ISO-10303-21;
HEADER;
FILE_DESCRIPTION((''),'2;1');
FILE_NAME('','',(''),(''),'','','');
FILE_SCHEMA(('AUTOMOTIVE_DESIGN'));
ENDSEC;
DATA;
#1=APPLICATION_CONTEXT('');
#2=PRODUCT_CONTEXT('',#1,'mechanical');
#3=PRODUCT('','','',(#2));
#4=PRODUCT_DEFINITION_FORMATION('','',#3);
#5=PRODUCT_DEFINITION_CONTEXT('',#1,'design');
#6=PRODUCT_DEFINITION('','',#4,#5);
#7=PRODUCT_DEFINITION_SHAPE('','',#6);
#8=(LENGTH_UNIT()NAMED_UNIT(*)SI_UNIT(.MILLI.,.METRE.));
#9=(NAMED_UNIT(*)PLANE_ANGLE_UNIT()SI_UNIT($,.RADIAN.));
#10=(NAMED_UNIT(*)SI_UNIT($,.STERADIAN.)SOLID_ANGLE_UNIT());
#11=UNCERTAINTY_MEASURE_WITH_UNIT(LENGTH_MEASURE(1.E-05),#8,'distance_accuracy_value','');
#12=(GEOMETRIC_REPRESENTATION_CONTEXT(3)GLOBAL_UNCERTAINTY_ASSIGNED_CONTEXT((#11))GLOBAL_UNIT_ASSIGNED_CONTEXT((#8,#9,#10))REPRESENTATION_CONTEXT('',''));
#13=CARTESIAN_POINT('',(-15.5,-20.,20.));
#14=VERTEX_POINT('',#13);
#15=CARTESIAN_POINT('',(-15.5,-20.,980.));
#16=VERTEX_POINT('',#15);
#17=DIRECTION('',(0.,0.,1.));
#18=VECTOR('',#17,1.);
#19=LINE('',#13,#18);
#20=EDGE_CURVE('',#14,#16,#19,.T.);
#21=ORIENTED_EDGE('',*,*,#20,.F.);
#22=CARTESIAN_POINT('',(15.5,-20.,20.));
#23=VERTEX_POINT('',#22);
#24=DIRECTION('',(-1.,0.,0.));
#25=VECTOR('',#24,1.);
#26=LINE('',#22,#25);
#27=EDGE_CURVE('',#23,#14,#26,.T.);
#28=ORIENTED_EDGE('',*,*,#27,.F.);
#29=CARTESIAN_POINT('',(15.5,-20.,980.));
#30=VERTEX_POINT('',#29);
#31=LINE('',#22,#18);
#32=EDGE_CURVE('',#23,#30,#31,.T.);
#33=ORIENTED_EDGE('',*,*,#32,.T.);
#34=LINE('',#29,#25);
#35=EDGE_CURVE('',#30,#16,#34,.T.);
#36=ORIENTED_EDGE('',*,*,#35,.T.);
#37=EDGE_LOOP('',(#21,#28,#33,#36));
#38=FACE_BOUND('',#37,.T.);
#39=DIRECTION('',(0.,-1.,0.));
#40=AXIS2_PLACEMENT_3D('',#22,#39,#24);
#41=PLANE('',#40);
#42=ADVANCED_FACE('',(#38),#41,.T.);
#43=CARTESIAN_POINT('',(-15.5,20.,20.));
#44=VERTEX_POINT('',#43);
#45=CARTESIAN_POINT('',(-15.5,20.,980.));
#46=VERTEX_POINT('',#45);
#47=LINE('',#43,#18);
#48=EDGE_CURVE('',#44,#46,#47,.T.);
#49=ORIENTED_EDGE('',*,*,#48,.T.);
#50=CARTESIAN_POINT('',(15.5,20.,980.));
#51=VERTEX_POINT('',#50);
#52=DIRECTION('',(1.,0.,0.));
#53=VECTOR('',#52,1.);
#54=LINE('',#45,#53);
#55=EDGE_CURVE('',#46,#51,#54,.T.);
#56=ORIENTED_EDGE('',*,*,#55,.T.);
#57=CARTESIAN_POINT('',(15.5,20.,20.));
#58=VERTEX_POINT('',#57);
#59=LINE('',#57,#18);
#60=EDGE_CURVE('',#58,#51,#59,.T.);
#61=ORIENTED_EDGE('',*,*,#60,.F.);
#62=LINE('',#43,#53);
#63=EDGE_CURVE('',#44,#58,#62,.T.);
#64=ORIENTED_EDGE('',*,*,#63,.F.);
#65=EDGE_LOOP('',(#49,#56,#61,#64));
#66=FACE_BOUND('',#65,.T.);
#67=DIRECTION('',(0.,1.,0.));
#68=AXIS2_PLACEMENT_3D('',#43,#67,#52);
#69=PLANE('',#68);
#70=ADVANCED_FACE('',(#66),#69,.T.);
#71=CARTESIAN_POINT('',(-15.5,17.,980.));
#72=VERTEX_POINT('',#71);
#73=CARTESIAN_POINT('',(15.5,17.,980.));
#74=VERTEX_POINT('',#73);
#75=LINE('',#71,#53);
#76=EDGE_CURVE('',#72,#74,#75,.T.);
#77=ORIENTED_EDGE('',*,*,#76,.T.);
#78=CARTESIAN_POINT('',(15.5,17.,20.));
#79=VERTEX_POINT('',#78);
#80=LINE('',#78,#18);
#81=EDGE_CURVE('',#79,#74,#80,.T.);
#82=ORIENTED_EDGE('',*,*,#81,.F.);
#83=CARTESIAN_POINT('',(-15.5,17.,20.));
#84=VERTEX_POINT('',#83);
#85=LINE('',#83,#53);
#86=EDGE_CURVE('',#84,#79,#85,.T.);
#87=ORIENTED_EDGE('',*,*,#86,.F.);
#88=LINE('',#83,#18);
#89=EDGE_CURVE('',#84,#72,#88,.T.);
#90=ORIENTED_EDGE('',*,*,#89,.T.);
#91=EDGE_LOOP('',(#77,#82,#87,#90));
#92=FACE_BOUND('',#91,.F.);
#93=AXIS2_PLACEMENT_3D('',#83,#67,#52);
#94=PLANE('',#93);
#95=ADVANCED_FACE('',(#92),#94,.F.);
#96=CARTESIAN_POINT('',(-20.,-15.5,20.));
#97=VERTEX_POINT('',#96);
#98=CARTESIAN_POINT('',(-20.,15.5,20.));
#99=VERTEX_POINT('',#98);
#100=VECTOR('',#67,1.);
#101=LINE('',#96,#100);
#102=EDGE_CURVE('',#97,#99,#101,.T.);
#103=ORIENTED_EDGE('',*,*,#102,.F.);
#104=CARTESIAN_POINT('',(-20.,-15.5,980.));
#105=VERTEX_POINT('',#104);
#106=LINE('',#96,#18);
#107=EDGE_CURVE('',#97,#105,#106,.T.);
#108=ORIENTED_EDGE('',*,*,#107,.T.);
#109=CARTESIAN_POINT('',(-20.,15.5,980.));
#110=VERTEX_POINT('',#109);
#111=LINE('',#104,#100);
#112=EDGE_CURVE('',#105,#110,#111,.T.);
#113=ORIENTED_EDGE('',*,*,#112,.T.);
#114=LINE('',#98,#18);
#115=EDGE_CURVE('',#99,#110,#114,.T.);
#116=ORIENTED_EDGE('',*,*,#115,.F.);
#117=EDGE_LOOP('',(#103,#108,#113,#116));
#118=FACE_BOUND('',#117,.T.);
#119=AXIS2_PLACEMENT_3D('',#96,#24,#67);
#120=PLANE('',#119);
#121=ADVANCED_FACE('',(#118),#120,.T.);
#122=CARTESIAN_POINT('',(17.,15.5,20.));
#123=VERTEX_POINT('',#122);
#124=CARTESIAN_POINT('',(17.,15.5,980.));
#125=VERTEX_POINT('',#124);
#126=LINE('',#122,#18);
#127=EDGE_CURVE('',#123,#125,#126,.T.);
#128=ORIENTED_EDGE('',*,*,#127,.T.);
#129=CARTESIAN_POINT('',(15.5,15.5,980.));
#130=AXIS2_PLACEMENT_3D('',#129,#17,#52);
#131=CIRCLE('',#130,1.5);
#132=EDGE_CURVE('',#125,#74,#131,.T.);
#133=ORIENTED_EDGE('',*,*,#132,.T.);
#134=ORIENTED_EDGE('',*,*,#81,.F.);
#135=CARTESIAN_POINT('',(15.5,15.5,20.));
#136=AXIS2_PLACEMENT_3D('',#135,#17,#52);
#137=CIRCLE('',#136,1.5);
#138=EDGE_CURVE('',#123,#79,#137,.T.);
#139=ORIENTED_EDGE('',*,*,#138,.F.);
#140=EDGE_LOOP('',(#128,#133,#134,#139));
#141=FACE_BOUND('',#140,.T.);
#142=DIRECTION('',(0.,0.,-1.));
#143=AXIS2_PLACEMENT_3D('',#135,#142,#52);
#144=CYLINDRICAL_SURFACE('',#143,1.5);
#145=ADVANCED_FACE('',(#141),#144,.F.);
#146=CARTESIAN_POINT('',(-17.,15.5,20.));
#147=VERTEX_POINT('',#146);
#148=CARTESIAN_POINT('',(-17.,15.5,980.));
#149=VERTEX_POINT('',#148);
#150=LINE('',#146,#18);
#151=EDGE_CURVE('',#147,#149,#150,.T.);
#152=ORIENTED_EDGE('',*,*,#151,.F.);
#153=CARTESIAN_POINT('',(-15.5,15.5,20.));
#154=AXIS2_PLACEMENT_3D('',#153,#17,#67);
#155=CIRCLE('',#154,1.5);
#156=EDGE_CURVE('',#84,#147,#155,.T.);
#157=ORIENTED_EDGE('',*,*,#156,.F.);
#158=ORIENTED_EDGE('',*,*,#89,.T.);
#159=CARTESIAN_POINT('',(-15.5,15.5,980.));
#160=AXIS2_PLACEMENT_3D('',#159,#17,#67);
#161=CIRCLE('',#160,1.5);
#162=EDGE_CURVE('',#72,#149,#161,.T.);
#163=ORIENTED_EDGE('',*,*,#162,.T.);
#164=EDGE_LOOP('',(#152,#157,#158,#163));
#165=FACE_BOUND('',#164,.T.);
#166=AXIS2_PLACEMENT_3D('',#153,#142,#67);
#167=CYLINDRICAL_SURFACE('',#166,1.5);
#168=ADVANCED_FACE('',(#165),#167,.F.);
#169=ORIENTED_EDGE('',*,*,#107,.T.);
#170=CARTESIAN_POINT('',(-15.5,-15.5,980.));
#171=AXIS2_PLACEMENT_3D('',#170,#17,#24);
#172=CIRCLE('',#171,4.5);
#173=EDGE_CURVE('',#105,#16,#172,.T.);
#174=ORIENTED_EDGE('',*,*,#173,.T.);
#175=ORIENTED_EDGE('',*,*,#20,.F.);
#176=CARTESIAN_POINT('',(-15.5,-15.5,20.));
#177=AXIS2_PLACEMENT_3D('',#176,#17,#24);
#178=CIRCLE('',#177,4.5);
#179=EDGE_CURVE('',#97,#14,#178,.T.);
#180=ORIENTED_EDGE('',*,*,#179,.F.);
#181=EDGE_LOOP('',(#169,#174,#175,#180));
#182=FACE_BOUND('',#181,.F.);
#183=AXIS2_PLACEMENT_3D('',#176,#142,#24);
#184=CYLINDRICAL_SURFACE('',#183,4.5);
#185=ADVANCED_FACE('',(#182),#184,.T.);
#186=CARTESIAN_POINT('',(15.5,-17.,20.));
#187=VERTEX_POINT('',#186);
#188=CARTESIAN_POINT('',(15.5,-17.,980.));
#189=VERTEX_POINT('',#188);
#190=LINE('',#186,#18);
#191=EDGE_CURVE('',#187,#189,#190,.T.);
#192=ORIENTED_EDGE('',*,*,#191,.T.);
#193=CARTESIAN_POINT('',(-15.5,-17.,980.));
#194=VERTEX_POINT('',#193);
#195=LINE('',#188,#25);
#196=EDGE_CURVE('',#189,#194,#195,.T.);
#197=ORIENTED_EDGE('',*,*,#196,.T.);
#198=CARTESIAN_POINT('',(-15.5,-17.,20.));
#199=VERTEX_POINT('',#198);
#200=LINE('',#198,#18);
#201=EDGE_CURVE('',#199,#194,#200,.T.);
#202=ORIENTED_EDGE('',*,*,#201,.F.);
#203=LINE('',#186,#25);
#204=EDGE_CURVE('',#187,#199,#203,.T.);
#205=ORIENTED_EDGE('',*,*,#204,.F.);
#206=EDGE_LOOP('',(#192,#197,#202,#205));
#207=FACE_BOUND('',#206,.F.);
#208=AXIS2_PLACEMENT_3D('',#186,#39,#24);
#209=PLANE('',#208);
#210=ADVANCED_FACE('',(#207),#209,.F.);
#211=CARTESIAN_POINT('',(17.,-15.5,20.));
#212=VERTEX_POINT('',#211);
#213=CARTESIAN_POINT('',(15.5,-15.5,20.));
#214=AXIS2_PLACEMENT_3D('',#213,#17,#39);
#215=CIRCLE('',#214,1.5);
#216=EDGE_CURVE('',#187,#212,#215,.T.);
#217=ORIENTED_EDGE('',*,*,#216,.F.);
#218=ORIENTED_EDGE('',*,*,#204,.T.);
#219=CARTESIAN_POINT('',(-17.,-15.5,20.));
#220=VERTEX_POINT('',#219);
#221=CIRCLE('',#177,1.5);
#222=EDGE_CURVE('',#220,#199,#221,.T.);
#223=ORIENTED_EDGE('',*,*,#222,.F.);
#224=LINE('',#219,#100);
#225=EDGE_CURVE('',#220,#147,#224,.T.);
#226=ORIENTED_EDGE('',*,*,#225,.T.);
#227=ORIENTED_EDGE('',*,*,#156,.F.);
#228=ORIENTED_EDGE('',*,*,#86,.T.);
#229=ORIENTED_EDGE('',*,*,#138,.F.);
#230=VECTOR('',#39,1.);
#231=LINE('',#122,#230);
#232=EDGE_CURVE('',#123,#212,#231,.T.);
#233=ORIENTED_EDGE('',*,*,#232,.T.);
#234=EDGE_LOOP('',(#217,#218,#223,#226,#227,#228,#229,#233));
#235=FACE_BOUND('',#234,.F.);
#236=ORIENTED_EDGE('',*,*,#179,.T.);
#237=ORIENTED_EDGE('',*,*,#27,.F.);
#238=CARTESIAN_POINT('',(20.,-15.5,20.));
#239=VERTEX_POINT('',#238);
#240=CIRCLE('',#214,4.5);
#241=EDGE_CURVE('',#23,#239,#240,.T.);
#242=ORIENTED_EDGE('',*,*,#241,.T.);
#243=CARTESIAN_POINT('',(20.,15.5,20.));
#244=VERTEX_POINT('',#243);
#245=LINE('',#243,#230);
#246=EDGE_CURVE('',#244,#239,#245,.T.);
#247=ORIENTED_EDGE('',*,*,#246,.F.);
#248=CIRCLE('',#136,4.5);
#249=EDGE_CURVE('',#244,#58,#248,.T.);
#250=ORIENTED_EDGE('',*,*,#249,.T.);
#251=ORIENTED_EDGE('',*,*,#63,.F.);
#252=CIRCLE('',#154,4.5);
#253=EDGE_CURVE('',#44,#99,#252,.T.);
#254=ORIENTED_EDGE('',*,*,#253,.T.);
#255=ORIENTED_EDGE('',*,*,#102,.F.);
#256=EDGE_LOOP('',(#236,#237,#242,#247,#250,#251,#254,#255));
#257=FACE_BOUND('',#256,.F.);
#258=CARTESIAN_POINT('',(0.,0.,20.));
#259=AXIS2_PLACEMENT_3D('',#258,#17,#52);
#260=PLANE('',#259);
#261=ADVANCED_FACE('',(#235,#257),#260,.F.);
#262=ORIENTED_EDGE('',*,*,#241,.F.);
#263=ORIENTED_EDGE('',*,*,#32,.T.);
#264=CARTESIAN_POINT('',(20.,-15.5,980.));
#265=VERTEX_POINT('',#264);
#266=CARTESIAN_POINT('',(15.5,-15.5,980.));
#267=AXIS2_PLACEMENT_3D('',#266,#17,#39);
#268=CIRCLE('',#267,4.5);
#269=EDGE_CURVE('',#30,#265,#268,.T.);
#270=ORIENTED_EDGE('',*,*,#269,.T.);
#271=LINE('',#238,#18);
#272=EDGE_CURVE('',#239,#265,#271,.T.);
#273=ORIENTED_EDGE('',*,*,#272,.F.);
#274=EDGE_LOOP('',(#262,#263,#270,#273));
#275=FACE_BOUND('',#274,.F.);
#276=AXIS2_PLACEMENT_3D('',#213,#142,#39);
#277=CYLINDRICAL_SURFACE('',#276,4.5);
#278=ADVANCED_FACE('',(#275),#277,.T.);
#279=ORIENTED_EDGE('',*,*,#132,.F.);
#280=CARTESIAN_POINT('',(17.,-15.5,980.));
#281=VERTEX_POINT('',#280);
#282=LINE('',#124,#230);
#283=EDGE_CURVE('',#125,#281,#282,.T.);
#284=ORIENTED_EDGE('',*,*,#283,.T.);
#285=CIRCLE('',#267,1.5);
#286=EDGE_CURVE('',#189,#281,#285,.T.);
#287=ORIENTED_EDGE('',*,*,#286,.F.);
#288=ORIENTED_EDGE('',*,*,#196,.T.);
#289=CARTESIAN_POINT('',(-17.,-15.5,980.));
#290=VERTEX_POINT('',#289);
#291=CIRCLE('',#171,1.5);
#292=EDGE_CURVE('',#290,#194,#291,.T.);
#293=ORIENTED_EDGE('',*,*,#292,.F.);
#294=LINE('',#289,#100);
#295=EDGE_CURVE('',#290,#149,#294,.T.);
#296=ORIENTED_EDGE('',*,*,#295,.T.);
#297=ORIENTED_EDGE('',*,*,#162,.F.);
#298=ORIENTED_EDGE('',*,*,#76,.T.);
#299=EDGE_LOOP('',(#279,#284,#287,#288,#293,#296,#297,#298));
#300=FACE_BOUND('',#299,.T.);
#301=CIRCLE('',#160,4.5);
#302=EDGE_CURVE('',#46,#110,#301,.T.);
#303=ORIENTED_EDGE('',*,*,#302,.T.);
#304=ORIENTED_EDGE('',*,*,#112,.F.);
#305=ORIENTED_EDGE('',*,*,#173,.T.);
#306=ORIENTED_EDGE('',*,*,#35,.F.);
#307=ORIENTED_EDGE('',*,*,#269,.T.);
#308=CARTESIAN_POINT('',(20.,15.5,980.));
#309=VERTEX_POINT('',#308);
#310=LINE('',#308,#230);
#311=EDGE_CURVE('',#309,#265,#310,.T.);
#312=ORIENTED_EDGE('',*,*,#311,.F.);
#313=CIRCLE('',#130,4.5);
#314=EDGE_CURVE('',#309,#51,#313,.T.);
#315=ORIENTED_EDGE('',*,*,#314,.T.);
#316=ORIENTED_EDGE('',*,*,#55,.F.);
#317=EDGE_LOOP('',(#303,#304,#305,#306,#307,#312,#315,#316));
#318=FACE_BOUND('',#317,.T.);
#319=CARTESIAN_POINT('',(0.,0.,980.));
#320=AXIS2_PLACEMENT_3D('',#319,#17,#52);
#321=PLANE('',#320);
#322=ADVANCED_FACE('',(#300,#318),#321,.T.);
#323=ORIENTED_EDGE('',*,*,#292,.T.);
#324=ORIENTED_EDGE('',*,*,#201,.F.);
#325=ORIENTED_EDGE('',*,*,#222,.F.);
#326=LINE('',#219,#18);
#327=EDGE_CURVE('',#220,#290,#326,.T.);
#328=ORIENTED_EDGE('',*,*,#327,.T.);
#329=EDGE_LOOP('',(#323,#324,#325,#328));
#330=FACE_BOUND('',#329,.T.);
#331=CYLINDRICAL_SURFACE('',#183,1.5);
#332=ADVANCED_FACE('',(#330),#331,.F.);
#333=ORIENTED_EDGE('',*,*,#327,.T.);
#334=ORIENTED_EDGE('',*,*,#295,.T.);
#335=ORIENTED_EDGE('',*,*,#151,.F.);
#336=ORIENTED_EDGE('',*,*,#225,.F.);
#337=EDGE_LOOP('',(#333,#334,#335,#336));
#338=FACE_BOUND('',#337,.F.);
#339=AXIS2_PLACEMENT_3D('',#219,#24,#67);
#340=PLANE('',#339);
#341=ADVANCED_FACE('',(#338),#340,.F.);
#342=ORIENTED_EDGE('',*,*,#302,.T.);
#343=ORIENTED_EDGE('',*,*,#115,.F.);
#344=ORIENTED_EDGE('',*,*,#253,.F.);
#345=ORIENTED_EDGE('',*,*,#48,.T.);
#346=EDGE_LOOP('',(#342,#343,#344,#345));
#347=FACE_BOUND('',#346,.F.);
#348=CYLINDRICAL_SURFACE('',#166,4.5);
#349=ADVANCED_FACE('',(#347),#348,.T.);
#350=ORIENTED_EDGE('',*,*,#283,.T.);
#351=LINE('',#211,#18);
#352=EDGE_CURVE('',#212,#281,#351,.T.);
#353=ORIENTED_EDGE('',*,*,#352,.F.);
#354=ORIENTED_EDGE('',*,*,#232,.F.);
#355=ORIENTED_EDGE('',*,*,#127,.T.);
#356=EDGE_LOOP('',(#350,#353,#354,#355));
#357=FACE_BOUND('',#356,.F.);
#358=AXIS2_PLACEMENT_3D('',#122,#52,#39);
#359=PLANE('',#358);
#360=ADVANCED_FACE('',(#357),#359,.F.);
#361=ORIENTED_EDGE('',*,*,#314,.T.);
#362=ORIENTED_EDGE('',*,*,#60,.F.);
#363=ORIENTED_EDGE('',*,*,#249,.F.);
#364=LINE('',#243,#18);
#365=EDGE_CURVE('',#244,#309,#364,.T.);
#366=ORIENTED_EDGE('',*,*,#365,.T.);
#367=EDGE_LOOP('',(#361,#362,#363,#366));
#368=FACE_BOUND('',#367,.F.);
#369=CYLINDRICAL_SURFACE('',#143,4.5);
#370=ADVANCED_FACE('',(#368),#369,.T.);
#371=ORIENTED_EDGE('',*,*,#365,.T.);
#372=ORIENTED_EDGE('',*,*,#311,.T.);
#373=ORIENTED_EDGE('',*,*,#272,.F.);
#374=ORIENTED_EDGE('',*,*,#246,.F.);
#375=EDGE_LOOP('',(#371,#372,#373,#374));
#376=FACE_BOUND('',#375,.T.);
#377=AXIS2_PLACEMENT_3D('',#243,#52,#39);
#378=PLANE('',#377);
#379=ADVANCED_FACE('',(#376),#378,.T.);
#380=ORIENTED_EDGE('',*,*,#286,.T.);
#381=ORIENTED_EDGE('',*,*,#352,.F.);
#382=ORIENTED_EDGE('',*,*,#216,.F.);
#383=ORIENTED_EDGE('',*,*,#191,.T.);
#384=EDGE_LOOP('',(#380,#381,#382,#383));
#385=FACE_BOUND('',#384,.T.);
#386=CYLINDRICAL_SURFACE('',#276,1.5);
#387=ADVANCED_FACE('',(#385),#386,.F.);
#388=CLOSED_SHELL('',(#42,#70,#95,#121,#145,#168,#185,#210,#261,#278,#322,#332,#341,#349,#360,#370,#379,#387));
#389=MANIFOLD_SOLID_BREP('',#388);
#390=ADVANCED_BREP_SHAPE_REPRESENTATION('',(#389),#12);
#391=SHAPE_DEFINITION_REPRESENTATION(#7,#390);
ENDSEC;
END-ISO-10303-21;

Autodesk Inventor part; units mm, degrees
ref_plane "Start Plane" through (0, 0, 20) normal (0, 0, 1) x (1, 0, 0)
ref_plane "End Plane" through (0, 0, 980) normal (0, 0, 1) x (1, 0, 0)
sketch "Sketch" plane through (0, 0, 0) normal (0, 0, 1) x (1, 0, 0)
  line L0 (-20, -15.5) -> (-20, 15.5)
  line L1 (-15.5, 20) -> (15.5, 20)
  line L2 (20, 15.5) -> (20, -15.5)
  line L3 (15.5, -20) -> (-15.5, -20)
  arc A0 (-20, -15.5) -> (-15.5, -20) centre (-15.5, -15.5) ccw
  arc A1 (-15.5, 20) -> (-20, 15.5) centre (-15.5, 15.5) ccw
  arc A2 (20, 15.5) -> (15.5, 20) centre (15.5, 15.5) ccw
  arc A3 (15.5, -20) -> (20, -15.5) centre (15.5, -15.5) ccw
  arc A4 (-15.5, 17) -> (-17, 15.5) centre (-15.5, 15.5) ccw
  line L4 (-15.5, 17) -> (15.5, 17)
  arc A5 (17, 15.5) -> (15.5, 17) centre (15.5, 15.5) ccw
  line L5 (17, 15.5) -> (17, -15.5)
  arc A6 (15.5, -17) -> (17, -15.5) centre (15.5, -15.5) ccw
  line L6 (15.5, -17) -> (-15.5, -17)
  arc A7 (-17, -15.5) -> (-15.5, -17) centre (-15.5, -15.5) ccw
  line L7 (-17, -15.5) -> (-17, 15.5)
  line L8 (0, 29.3048) -> (0, -29.3048) construction
  line L9 (-29.3048, 0) -> (29.3048, 0) construction
  dimension "d7" = 4.5
  dimension "d10" = 40
  dimension "d11" = 40
  dimension "d12" = 3
  dimension "d15" = 20
  dimension "d16" = 20
extrude "Body" add sketch "Sketch" along normal up to surface (960 mm away) from surface at 20
sketch "Sketch3" plane through (0, 0, 0) normal (0, 0, 1) x (1, 0, 0)
  line L0 (0, 0) -> (10, 0)
ref_plane "Work Plane3" through (0, 0, 0) normal (0, -1, 0) x (1, 0, 0)
ref_plane "Work Plane4" through (-15.5, -880, 980) normal (0, 0, 1) x (1, 0, 0)
split "Split1" plane through (-15.5, -880, 980) removes the side toward (0, 0, 1)
ref_plane "Work Plane5" through (15.5, -880, 20) normal (0, 0, -1) x (-1, 0, 0)
split "Split2" plane through (15.5, -880, 20) removes the side toward (0, 0, -1)
sketch "Sketch4" plane through (0, 0, 0) normal (0, -1, 0) x (1, 0, 0)
  line L0 (-2, 20) -> (12, 20) projected
  line L1 (-2, 980) -> (12, 980) projected
  dimension "d18" = 960
equation "\"d7\" = G_IR"
equation "\"d10\" = G_H"
equation "\"d11\" = G_W"
equation "\"d12\" = G_T"
equation "\"d15\" = 0.5 * d10"
equation "\"d16\" = 0.5 * d11"
equation "\"d3\" = G_L"
equation "\"G_W\" = 40"
equation "\"G_H\" = 40"
equation "\"G_T\" = 3"
equation "\"G_IR\" = 4.5"
equation "\"G_L\" = d18"
properties part number "ISO 12633-2 - 40x40x3 - 960" material "Steel, Mild"
